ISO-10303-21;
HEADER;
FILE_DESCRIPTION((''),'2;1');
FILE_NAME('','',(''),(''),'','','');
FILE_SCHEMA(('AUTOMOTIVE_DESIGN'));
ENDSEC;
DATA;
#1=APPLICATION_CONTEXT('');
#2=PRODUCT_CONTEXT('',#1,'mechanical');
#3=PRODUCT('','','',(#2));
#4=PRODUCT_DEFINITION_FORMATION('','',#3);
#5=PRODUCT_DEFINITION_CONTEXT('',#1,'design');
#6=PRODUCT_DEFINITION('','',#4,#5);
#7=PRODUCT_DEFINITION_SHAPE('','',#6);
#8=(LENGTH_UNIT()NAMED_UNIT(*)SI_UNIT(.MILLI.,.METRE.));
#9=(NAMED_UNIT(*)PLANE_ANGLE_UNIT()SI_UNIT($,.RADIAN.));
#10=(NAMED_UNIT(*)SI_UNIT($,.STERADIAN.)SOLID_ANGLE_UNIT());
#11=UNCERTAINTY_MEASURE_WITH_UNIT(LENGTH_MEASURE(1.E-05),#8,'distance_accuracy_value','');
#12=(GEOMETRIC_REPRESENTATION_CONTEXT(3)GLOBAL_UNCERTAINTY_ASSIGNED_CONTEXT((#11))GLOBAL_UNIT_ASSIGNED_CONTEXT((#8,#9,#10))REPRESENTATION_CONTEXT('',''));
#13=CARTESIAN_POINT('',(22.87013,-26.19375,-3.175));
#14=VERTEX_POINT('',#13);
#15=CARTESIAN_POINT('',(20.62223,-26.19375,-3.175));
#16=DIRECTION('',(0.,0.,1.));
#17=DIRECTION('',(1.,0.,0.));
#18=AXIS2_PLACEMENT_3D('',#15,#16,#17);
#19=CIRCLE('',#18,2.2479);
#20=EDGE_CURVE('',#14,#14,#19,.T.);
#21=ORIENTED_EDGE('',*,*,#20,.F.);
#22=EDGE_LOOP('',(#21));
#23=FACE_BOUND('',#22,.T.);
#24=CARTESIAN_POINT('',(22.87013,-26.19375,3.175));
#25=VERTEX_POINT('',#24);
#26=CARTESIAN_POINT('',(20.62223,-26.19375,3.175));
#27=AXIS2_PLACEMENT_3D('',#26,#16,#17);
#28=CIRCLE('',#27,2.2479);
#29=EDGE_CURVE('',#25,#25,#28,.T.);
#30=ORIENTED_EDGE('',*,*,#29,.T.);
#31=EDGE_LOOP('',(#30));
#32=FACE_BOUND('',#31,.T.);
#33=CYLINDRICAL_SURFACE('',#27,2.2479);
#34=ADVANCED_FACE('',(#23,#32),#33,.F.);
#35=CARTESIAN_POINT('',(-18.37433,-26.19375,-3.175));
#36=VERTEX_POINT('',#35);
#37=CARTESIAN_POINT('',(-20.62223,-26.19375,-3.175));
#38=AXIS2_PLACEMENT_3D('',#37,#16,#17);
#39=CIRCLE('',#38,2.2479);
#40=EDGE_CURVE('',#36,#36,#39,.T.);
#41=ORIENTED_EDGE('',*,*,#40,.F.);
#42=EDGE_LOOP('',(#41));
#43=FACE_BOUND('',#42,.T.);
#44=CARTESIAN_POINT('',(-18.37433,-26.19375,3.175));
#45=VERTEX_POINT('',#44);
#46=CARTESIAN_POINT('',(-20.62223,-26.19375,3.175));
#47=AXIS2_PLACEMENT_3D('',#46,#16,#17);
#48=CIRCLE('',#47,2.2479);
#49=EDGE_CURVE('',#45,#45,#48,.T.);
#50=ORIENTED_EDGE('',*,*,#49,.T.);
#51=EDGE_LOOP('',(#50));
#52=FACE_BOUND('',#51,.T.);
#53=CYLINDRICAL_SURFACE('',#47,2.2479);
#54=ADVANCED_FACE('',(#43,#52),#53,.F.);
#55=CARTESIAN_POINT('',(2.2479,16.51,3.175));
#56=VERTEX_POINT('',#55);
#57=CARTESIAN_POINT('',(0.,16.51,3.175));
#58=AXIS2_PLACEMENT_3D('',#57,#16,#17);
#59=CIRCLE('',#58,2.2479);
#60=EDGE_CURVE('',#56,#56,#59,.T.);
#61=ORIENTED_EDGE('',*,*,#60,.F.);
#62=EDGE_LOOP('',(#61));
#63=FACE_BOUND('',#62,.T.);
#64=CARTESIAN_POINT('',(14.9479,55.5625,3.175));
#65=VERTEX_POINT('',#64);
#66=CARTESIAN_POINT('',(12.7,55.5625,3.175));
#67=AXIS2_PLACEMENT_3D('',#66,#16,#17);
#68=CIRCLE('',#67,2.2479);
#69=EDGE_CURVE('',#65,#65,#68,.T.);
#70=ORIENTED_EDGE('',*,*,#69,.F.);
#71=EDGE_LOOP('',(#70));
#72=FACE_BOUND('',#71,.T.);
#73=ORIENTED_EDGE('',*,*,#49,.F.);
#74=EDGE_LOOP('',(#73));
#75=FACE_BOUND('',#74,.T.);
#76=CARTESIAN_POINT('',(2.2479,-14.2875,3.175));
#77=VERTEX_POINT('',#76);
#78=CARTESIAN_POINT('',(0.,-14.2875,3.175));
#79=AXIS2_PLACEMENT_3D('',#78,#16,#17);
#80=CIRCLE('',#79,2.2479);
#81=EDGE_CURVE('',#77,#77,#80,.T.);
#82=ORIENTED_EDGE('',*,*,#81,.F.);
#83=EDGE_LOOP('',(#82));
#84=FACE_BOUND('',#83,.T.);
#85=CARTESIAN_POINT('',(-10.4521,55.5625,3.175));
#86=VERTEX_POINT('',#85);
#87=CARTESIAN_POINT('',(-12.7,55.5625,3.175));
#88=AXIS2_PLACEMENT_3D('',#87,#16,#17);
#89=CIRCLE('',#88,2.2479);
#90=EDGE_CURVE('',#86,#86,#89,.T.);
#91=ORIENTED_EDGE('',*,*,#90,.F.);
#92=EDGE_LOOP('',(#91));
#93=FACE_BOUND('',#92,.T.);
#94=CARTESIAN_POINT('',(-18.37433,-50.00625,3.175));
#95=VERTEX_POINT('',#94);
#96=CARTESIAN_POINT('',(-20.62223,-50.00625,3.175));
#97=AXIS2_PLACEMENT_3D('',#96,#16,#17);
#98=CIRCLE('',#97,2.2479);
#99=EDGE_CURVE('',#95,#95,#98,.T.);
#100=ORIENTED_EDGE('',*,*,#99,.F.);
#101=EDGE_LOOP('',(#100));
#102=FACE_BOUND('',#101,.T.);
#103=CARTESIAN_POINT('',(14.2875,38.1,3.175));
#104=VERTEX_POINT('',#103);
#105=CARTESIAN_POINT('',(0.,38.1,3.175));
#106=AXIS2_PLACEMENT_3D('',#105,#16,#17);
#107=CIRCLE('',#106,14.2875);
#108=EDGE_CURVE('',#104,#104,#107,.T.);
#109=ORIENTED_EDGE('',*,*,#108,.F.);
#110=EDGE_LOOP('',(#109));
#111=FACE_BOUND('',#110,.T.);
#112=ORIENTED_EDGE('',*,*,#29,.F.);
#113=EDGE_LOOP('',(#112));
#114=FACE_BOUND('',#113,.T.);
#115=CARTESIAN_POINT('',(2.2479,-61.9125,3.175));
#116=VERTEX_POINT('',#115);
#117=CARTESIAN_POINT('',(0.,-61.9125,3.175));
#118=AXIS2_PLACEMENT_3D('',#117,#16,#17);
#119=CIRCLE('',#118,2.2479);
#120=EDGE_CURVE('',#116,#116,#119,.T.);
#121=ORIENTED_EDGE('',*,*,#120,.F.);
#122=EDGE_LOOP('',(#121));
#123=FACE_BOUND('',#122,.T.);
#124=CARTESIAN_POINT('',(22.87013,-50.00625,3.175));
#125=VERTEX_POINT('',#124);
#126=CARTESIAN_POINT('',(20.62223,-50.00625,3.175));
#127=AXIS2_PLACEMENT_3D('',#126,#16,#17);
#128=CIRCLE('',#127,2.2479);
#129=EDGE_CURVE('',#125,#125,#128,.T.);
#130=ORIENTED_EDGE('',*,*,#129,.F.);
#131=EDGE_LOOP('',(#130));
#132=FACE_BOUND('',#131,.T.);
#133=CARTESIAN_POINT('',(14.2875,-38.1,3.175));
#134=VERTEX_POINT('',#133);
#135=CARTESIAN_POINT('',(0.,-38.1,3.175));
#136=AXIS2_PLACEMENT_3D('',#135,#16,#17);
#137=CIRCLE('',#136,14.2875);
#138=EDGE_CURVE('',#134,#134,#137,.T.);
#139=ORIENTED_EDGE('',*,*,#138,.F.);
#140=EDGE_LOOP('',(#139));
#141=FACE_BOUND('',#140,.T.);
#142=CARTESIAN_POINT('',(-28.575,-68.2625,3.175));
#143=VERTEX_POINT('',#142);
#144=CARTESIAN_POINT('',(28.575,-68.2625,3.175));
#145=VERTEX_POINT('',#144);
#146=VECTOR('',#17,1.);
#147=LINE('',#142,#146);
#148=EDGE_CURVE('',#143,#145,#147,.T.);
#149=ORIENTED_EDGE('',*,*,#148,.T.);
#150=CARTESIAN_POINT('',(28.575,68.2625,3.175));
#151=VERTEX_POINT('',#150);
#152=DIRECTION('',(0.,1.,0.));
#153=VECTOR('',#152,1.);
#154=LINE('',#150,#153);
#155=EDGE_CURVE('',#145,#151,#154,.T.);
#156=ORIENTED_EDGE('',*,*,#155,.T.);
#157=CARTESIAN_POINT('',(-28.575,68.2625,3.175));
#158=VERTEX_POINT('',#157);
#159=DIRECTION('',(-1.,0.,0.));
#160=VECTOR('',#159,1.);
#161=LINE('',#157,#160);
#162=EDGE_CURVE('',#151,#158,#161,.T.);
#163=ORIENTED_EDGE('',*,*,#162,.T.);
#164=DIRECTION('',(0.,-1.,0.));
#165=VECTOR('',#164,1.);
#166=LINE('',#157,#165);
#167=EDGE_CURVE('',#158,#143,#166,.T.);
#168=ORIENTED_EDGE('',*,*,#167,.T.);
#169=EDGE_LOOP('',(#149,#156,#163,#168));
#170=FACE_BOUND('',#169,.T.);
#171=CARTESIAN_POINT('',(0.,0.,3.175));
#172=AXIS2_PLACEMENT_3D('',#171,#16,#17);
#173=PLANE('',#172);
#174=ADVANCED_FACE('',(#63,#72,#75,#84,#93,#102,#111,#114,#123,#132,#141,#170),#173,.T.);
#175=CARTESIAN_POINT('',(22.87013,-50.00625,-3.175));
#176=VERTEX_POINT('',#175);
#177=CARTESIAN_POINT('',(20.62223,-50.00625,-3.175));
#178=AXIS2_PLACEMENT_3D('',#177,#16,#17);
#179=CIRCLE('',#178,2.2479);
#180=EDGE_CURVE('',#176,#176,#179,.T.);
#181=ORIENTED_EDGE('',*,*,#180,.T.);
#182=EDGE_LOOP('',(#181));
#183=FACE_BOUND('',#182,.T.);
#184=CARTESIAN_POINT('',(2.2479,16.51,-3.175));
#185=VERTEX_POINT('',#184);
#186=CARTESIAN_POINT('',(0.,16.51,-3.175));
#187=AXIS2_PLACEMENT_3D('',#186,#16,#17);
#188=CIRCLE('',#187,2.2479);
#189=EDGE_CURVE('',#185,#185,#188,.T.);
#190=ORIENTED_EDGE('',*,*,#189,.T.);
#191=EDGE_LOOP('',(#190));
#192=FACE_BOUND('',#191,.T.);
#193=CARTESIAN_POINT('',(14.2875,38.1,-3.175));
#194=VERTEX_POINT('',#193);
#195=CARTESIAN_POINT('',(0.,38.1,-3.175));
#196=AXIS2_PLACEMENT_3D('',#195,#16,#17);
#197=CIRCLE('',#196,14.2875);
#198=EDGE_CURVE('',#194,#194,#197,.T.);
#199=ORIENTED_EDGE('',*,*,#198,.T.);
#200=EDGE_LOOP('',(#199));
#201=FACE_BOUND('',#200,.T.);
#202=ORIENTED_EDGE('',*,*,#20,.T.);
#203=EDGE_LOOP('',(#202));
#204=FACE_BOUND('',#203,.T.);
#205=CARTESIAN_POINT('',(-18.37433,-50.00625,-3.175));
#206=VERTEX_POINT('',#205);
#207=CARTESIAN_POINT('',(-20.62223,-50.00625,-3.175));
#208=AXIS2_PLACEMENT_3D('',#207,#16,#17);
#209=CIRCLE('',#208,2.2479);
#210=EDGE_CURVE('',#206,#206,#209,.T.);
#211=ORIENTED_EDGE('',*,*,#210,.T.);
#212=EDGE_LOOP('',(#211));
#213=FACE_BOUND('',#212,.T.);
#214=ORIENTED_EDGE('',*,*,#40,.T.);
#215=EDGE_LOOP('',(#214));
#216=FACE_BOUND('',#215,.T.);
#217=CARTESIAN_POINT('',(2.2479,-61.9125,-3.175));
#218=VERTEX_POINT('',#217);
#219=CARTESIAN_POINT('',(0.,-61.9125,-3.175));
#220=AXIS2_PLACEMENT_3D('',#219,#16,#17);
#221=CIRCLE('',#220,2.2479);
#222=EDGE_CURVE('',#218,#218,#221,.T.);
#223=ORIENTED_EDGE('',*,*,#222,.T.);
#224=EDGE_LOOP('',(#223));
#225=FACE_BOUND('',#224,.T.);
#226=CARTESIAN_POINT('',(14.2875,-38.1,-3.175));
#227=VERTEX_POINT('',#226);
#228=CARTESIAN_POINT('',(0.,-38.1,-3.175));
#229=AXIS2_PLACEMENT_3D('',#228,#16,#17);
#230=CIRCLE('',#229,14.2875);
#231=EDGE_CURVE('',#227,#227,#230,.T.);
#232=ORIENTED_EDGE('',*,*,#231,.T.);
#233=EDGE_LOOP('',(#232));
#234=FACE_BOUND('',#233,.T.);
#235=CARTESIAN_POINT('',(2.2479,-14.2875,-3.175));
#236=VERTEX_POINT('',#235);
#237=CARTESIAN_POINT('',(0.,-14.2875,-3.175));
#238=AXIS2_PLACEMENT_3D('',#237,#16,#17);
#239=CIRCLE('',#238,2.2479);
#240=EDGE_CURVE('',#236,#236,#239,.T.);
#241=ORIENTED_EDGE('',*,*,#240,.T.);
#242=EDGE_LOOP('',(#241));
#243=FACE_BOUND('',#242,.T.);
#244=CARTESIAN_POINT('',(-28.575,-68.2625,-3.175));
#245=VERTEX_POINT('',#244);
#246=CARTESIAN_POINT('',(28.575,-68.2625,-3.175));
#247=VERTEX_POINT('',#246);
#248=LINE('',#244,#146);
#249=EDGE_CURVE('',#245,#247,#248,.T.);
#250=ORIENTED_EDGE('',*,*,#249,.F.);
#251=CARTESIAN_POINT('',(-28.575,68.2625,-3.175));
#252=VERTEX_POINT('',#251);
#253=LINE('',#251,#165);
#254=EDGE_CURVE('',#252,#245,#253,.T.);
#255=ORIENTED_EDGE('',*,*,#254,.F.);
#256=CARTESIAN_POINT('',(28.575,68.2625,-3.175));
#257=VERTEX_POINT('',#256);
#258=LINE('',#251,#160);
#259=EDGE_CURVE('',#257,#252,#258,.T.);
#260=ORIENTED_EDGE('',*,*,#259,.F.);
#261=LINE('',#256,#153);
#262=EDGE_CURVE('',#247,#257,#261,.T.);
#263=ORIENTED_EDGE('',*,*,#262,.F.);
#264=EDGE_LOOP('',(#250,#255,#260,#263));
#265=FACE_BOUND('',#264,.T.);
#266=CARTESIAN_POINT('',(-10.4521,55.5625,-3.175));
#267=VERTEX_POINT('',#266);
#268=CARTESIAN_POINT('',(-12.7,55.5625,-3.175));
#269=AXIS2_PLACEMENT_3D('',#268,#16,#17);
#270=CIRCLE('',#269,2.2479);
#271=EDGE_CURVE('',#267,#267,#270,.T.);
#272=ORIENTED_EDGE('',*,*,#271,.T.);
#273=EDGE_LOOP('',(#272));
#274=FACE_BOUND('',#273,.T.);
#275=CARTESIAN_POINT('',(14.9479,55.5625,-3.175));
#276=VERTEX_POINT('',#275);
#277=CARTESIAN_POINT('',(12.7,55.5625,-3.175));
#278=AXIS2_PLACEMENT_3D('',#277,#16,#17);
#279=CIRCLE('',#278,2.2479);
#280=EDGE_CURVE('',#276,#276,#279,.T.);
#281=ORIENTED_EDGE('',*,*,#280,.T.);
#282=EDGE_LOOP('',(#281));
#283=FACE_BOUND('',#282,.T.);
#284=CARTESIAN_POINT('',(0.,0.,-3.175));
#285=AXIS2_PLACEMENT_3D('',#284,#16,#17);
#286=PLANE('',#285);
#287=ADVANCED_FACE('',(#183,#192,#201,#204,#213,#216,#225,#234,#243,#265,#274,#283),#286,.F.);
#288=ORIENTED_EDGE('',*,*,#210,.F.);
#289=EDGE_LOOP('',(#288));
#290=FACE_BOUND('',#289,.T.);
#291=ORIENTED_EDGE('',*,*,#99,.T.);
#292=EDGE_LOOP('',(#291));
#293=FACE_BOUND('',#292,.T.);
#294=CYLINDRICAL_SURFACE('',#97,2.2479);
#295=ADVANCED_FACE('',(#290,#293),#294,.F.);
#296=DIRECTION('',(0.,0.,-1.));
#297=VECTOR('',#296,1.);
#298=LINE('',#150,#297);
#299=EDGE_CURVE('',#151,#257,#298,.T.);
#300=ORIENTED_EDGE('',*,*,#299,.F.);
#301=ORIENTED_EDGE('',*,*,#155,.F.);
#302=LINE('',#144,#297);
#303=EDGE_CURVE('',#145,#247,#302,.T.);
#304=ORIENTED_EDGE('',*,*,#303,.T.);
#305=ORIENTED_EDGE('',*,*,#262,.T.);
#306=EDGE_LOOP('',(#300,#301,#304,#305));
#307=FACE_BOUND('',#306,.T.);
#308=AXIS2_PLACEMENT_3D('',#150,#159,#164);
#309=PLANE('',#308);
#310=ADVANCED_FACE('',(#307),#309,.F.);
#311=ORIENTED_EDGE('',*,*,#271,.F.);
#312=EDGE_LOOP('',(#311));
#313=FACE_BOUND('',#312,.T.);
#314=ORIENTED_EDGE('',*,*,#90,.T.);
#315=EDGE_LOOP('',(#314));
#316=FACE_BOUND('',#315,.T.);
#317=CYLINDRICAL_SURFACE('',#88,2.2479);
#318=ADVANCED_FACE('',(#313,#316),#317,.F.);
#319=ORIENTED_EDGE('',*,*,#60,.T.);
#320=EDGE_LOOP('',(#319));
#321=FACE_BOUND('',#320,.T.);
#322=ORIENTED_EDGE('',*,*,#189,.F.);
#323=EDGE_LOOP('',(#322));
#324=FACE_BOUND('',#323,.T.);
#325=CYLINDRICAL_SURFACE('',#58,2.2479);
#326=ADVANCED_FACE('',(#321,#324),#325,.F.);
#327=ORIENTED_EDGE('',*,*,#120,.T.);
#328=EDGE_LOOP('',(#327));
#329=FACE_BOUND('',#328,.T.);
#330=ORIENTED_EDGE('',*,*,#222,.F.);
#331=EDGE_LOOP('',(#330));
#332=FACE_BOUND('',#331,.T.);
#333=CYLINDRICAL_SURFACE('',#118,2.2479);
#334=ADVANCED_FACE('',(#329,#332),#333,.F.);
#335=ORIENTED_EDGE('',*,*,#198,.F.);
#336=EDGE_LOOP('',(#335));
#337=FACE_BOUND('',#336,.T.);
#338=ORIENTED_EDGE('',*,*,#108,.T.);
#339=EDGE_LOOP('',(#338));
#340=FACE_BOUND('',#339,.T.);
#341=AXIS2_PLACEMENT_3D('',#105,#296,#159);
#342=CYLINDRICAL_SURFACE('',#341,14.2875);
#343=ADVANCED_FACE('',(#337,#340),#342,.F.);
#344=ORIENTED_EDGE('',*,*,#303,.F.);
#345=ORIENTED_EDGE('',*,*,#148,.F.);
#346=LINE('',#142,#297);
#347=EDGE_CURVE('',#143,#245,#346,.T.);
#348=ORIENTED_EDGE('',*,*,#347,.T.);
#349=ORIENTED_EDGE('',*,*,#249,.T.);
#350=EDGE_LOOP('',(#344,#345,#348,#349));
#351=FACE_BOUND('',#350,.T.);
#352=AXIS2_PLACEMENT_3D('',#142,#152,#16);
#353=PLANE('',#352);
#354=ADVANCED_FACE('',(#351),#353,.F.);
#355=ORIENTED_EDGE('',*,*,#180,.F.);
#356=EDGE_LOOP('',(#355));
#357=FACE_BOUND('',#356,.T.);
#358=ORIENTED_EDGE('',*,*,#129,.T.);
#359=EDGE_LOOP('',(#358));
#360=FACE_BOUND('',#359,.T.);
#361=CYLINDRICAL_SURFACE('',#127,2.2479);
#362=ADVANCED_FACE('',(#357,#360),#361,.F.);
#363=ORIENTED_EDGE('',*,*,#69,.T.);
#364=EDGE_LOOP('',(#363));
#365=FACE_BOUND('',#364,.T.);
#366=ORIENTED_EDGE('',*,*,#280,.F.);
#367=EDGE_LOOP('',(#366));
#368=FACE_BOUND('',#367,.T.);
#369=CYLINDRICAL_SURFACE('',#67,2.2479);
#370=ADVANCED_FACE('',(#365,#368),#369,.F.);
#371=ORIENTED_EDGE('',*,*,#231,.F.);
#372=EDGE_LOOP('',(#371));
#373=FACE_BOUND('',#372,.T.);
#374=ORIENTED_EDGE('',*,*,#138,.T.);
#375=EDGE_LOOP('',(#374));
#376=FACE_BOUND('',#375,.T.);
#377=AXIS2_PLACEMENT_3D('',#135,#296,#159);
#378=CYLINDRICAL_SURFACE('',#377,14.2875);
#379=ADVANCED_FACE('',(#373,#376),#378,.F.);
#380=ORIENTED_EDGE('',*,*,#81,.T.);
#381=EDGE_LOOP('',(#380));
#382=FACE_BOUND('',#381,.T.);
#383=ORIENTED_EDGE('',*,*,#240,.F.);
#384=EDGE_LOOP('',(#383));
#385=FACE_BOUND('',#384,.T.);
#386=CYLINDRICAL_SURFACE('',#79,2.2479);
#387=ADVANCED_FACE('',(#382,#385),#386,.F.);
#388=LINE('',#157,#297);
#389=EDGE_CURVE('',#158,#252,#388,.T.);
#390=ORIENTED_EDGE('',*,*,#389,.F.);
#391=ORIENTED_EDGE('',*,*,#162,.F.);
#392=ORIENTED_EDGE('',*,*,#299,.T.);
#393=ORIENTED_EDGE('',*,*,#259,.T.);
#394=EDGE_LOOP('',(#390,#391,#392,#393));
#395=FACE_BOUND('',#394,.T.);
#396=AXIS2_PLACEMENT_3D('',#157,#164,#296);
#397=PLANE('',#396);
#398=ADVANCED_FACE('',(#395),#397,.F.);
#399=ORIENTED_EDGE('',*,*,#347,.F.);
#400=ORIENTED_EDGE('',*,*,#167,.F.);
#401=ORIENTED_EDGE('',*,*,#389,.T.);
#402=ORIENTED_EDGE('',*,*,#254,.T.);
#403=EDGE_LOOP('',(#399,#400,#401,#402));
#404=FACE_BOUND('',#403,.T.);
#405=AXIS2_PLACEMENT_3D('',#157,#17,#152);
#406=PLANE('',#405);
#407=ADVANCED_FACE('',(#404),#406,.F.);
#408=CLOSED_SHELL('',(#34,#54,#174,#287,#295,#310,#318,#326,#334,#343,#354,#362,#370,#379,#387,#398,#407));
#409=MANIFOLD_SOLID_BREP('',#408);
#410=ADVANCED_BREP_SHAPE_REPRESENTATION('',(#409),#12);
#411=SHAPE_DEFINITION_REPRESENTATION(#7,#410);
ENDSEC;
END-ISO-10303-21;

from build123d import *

# Parameters (mm, degrees)
SKETCH1_W             = 57.15
SKETCH1_H             = 136.525
SKETCH1_R             = 14.2875
BOSS_EXTRUDE1_DEPTH   = 3.175
F_8_CLEARANCE_HOLE1_D = 4.4958
F_8_CLEARANCE_HOLE2_D = 4.4958


with BuildPart() as part:
    # Sketch1 → Boss-Extrude1 (new, symmetric)
    with BuildSketch(Plane.XY):
        Rectangle(SKETCH1_W, SKETCH1_H)
        with Locations((0, 38.1)):
            Circle(SKETCH1_R, mode=Mode.SUBTRACT)
        with Locations((0, -38.1)):
            Circle(SKETCH1_R, mode=Mode.SUBTRACT)
    extrude(amount=BOSS_EXTRUDE1_DEPTH, both=True)

    # #8 Clearance Hole1 (through all)
    with Locations(Plane.XY.offset(3.175)):
        with Locations((0, -14.2875), (20.622229928, -26.19375), (20.622229928, -50.00625), (0, -61.9125), (-20.622229928, -50.00625), (-20.622229928, -26.19375), (0, -38.1)):
            Hole(F_8_CLEARANCE_HOLE1_D / 2)

    # #8 Clearance Hole2 (through all)
    with Locations(Plane.XY.offset(3.175)):
        with Locations((-12.7, 55.5625), (12.7, 55.5625), (0, 16.51)):
            Hole(F_8_CLEARANCE_HOLE2_D / 2)


solid = part.part
